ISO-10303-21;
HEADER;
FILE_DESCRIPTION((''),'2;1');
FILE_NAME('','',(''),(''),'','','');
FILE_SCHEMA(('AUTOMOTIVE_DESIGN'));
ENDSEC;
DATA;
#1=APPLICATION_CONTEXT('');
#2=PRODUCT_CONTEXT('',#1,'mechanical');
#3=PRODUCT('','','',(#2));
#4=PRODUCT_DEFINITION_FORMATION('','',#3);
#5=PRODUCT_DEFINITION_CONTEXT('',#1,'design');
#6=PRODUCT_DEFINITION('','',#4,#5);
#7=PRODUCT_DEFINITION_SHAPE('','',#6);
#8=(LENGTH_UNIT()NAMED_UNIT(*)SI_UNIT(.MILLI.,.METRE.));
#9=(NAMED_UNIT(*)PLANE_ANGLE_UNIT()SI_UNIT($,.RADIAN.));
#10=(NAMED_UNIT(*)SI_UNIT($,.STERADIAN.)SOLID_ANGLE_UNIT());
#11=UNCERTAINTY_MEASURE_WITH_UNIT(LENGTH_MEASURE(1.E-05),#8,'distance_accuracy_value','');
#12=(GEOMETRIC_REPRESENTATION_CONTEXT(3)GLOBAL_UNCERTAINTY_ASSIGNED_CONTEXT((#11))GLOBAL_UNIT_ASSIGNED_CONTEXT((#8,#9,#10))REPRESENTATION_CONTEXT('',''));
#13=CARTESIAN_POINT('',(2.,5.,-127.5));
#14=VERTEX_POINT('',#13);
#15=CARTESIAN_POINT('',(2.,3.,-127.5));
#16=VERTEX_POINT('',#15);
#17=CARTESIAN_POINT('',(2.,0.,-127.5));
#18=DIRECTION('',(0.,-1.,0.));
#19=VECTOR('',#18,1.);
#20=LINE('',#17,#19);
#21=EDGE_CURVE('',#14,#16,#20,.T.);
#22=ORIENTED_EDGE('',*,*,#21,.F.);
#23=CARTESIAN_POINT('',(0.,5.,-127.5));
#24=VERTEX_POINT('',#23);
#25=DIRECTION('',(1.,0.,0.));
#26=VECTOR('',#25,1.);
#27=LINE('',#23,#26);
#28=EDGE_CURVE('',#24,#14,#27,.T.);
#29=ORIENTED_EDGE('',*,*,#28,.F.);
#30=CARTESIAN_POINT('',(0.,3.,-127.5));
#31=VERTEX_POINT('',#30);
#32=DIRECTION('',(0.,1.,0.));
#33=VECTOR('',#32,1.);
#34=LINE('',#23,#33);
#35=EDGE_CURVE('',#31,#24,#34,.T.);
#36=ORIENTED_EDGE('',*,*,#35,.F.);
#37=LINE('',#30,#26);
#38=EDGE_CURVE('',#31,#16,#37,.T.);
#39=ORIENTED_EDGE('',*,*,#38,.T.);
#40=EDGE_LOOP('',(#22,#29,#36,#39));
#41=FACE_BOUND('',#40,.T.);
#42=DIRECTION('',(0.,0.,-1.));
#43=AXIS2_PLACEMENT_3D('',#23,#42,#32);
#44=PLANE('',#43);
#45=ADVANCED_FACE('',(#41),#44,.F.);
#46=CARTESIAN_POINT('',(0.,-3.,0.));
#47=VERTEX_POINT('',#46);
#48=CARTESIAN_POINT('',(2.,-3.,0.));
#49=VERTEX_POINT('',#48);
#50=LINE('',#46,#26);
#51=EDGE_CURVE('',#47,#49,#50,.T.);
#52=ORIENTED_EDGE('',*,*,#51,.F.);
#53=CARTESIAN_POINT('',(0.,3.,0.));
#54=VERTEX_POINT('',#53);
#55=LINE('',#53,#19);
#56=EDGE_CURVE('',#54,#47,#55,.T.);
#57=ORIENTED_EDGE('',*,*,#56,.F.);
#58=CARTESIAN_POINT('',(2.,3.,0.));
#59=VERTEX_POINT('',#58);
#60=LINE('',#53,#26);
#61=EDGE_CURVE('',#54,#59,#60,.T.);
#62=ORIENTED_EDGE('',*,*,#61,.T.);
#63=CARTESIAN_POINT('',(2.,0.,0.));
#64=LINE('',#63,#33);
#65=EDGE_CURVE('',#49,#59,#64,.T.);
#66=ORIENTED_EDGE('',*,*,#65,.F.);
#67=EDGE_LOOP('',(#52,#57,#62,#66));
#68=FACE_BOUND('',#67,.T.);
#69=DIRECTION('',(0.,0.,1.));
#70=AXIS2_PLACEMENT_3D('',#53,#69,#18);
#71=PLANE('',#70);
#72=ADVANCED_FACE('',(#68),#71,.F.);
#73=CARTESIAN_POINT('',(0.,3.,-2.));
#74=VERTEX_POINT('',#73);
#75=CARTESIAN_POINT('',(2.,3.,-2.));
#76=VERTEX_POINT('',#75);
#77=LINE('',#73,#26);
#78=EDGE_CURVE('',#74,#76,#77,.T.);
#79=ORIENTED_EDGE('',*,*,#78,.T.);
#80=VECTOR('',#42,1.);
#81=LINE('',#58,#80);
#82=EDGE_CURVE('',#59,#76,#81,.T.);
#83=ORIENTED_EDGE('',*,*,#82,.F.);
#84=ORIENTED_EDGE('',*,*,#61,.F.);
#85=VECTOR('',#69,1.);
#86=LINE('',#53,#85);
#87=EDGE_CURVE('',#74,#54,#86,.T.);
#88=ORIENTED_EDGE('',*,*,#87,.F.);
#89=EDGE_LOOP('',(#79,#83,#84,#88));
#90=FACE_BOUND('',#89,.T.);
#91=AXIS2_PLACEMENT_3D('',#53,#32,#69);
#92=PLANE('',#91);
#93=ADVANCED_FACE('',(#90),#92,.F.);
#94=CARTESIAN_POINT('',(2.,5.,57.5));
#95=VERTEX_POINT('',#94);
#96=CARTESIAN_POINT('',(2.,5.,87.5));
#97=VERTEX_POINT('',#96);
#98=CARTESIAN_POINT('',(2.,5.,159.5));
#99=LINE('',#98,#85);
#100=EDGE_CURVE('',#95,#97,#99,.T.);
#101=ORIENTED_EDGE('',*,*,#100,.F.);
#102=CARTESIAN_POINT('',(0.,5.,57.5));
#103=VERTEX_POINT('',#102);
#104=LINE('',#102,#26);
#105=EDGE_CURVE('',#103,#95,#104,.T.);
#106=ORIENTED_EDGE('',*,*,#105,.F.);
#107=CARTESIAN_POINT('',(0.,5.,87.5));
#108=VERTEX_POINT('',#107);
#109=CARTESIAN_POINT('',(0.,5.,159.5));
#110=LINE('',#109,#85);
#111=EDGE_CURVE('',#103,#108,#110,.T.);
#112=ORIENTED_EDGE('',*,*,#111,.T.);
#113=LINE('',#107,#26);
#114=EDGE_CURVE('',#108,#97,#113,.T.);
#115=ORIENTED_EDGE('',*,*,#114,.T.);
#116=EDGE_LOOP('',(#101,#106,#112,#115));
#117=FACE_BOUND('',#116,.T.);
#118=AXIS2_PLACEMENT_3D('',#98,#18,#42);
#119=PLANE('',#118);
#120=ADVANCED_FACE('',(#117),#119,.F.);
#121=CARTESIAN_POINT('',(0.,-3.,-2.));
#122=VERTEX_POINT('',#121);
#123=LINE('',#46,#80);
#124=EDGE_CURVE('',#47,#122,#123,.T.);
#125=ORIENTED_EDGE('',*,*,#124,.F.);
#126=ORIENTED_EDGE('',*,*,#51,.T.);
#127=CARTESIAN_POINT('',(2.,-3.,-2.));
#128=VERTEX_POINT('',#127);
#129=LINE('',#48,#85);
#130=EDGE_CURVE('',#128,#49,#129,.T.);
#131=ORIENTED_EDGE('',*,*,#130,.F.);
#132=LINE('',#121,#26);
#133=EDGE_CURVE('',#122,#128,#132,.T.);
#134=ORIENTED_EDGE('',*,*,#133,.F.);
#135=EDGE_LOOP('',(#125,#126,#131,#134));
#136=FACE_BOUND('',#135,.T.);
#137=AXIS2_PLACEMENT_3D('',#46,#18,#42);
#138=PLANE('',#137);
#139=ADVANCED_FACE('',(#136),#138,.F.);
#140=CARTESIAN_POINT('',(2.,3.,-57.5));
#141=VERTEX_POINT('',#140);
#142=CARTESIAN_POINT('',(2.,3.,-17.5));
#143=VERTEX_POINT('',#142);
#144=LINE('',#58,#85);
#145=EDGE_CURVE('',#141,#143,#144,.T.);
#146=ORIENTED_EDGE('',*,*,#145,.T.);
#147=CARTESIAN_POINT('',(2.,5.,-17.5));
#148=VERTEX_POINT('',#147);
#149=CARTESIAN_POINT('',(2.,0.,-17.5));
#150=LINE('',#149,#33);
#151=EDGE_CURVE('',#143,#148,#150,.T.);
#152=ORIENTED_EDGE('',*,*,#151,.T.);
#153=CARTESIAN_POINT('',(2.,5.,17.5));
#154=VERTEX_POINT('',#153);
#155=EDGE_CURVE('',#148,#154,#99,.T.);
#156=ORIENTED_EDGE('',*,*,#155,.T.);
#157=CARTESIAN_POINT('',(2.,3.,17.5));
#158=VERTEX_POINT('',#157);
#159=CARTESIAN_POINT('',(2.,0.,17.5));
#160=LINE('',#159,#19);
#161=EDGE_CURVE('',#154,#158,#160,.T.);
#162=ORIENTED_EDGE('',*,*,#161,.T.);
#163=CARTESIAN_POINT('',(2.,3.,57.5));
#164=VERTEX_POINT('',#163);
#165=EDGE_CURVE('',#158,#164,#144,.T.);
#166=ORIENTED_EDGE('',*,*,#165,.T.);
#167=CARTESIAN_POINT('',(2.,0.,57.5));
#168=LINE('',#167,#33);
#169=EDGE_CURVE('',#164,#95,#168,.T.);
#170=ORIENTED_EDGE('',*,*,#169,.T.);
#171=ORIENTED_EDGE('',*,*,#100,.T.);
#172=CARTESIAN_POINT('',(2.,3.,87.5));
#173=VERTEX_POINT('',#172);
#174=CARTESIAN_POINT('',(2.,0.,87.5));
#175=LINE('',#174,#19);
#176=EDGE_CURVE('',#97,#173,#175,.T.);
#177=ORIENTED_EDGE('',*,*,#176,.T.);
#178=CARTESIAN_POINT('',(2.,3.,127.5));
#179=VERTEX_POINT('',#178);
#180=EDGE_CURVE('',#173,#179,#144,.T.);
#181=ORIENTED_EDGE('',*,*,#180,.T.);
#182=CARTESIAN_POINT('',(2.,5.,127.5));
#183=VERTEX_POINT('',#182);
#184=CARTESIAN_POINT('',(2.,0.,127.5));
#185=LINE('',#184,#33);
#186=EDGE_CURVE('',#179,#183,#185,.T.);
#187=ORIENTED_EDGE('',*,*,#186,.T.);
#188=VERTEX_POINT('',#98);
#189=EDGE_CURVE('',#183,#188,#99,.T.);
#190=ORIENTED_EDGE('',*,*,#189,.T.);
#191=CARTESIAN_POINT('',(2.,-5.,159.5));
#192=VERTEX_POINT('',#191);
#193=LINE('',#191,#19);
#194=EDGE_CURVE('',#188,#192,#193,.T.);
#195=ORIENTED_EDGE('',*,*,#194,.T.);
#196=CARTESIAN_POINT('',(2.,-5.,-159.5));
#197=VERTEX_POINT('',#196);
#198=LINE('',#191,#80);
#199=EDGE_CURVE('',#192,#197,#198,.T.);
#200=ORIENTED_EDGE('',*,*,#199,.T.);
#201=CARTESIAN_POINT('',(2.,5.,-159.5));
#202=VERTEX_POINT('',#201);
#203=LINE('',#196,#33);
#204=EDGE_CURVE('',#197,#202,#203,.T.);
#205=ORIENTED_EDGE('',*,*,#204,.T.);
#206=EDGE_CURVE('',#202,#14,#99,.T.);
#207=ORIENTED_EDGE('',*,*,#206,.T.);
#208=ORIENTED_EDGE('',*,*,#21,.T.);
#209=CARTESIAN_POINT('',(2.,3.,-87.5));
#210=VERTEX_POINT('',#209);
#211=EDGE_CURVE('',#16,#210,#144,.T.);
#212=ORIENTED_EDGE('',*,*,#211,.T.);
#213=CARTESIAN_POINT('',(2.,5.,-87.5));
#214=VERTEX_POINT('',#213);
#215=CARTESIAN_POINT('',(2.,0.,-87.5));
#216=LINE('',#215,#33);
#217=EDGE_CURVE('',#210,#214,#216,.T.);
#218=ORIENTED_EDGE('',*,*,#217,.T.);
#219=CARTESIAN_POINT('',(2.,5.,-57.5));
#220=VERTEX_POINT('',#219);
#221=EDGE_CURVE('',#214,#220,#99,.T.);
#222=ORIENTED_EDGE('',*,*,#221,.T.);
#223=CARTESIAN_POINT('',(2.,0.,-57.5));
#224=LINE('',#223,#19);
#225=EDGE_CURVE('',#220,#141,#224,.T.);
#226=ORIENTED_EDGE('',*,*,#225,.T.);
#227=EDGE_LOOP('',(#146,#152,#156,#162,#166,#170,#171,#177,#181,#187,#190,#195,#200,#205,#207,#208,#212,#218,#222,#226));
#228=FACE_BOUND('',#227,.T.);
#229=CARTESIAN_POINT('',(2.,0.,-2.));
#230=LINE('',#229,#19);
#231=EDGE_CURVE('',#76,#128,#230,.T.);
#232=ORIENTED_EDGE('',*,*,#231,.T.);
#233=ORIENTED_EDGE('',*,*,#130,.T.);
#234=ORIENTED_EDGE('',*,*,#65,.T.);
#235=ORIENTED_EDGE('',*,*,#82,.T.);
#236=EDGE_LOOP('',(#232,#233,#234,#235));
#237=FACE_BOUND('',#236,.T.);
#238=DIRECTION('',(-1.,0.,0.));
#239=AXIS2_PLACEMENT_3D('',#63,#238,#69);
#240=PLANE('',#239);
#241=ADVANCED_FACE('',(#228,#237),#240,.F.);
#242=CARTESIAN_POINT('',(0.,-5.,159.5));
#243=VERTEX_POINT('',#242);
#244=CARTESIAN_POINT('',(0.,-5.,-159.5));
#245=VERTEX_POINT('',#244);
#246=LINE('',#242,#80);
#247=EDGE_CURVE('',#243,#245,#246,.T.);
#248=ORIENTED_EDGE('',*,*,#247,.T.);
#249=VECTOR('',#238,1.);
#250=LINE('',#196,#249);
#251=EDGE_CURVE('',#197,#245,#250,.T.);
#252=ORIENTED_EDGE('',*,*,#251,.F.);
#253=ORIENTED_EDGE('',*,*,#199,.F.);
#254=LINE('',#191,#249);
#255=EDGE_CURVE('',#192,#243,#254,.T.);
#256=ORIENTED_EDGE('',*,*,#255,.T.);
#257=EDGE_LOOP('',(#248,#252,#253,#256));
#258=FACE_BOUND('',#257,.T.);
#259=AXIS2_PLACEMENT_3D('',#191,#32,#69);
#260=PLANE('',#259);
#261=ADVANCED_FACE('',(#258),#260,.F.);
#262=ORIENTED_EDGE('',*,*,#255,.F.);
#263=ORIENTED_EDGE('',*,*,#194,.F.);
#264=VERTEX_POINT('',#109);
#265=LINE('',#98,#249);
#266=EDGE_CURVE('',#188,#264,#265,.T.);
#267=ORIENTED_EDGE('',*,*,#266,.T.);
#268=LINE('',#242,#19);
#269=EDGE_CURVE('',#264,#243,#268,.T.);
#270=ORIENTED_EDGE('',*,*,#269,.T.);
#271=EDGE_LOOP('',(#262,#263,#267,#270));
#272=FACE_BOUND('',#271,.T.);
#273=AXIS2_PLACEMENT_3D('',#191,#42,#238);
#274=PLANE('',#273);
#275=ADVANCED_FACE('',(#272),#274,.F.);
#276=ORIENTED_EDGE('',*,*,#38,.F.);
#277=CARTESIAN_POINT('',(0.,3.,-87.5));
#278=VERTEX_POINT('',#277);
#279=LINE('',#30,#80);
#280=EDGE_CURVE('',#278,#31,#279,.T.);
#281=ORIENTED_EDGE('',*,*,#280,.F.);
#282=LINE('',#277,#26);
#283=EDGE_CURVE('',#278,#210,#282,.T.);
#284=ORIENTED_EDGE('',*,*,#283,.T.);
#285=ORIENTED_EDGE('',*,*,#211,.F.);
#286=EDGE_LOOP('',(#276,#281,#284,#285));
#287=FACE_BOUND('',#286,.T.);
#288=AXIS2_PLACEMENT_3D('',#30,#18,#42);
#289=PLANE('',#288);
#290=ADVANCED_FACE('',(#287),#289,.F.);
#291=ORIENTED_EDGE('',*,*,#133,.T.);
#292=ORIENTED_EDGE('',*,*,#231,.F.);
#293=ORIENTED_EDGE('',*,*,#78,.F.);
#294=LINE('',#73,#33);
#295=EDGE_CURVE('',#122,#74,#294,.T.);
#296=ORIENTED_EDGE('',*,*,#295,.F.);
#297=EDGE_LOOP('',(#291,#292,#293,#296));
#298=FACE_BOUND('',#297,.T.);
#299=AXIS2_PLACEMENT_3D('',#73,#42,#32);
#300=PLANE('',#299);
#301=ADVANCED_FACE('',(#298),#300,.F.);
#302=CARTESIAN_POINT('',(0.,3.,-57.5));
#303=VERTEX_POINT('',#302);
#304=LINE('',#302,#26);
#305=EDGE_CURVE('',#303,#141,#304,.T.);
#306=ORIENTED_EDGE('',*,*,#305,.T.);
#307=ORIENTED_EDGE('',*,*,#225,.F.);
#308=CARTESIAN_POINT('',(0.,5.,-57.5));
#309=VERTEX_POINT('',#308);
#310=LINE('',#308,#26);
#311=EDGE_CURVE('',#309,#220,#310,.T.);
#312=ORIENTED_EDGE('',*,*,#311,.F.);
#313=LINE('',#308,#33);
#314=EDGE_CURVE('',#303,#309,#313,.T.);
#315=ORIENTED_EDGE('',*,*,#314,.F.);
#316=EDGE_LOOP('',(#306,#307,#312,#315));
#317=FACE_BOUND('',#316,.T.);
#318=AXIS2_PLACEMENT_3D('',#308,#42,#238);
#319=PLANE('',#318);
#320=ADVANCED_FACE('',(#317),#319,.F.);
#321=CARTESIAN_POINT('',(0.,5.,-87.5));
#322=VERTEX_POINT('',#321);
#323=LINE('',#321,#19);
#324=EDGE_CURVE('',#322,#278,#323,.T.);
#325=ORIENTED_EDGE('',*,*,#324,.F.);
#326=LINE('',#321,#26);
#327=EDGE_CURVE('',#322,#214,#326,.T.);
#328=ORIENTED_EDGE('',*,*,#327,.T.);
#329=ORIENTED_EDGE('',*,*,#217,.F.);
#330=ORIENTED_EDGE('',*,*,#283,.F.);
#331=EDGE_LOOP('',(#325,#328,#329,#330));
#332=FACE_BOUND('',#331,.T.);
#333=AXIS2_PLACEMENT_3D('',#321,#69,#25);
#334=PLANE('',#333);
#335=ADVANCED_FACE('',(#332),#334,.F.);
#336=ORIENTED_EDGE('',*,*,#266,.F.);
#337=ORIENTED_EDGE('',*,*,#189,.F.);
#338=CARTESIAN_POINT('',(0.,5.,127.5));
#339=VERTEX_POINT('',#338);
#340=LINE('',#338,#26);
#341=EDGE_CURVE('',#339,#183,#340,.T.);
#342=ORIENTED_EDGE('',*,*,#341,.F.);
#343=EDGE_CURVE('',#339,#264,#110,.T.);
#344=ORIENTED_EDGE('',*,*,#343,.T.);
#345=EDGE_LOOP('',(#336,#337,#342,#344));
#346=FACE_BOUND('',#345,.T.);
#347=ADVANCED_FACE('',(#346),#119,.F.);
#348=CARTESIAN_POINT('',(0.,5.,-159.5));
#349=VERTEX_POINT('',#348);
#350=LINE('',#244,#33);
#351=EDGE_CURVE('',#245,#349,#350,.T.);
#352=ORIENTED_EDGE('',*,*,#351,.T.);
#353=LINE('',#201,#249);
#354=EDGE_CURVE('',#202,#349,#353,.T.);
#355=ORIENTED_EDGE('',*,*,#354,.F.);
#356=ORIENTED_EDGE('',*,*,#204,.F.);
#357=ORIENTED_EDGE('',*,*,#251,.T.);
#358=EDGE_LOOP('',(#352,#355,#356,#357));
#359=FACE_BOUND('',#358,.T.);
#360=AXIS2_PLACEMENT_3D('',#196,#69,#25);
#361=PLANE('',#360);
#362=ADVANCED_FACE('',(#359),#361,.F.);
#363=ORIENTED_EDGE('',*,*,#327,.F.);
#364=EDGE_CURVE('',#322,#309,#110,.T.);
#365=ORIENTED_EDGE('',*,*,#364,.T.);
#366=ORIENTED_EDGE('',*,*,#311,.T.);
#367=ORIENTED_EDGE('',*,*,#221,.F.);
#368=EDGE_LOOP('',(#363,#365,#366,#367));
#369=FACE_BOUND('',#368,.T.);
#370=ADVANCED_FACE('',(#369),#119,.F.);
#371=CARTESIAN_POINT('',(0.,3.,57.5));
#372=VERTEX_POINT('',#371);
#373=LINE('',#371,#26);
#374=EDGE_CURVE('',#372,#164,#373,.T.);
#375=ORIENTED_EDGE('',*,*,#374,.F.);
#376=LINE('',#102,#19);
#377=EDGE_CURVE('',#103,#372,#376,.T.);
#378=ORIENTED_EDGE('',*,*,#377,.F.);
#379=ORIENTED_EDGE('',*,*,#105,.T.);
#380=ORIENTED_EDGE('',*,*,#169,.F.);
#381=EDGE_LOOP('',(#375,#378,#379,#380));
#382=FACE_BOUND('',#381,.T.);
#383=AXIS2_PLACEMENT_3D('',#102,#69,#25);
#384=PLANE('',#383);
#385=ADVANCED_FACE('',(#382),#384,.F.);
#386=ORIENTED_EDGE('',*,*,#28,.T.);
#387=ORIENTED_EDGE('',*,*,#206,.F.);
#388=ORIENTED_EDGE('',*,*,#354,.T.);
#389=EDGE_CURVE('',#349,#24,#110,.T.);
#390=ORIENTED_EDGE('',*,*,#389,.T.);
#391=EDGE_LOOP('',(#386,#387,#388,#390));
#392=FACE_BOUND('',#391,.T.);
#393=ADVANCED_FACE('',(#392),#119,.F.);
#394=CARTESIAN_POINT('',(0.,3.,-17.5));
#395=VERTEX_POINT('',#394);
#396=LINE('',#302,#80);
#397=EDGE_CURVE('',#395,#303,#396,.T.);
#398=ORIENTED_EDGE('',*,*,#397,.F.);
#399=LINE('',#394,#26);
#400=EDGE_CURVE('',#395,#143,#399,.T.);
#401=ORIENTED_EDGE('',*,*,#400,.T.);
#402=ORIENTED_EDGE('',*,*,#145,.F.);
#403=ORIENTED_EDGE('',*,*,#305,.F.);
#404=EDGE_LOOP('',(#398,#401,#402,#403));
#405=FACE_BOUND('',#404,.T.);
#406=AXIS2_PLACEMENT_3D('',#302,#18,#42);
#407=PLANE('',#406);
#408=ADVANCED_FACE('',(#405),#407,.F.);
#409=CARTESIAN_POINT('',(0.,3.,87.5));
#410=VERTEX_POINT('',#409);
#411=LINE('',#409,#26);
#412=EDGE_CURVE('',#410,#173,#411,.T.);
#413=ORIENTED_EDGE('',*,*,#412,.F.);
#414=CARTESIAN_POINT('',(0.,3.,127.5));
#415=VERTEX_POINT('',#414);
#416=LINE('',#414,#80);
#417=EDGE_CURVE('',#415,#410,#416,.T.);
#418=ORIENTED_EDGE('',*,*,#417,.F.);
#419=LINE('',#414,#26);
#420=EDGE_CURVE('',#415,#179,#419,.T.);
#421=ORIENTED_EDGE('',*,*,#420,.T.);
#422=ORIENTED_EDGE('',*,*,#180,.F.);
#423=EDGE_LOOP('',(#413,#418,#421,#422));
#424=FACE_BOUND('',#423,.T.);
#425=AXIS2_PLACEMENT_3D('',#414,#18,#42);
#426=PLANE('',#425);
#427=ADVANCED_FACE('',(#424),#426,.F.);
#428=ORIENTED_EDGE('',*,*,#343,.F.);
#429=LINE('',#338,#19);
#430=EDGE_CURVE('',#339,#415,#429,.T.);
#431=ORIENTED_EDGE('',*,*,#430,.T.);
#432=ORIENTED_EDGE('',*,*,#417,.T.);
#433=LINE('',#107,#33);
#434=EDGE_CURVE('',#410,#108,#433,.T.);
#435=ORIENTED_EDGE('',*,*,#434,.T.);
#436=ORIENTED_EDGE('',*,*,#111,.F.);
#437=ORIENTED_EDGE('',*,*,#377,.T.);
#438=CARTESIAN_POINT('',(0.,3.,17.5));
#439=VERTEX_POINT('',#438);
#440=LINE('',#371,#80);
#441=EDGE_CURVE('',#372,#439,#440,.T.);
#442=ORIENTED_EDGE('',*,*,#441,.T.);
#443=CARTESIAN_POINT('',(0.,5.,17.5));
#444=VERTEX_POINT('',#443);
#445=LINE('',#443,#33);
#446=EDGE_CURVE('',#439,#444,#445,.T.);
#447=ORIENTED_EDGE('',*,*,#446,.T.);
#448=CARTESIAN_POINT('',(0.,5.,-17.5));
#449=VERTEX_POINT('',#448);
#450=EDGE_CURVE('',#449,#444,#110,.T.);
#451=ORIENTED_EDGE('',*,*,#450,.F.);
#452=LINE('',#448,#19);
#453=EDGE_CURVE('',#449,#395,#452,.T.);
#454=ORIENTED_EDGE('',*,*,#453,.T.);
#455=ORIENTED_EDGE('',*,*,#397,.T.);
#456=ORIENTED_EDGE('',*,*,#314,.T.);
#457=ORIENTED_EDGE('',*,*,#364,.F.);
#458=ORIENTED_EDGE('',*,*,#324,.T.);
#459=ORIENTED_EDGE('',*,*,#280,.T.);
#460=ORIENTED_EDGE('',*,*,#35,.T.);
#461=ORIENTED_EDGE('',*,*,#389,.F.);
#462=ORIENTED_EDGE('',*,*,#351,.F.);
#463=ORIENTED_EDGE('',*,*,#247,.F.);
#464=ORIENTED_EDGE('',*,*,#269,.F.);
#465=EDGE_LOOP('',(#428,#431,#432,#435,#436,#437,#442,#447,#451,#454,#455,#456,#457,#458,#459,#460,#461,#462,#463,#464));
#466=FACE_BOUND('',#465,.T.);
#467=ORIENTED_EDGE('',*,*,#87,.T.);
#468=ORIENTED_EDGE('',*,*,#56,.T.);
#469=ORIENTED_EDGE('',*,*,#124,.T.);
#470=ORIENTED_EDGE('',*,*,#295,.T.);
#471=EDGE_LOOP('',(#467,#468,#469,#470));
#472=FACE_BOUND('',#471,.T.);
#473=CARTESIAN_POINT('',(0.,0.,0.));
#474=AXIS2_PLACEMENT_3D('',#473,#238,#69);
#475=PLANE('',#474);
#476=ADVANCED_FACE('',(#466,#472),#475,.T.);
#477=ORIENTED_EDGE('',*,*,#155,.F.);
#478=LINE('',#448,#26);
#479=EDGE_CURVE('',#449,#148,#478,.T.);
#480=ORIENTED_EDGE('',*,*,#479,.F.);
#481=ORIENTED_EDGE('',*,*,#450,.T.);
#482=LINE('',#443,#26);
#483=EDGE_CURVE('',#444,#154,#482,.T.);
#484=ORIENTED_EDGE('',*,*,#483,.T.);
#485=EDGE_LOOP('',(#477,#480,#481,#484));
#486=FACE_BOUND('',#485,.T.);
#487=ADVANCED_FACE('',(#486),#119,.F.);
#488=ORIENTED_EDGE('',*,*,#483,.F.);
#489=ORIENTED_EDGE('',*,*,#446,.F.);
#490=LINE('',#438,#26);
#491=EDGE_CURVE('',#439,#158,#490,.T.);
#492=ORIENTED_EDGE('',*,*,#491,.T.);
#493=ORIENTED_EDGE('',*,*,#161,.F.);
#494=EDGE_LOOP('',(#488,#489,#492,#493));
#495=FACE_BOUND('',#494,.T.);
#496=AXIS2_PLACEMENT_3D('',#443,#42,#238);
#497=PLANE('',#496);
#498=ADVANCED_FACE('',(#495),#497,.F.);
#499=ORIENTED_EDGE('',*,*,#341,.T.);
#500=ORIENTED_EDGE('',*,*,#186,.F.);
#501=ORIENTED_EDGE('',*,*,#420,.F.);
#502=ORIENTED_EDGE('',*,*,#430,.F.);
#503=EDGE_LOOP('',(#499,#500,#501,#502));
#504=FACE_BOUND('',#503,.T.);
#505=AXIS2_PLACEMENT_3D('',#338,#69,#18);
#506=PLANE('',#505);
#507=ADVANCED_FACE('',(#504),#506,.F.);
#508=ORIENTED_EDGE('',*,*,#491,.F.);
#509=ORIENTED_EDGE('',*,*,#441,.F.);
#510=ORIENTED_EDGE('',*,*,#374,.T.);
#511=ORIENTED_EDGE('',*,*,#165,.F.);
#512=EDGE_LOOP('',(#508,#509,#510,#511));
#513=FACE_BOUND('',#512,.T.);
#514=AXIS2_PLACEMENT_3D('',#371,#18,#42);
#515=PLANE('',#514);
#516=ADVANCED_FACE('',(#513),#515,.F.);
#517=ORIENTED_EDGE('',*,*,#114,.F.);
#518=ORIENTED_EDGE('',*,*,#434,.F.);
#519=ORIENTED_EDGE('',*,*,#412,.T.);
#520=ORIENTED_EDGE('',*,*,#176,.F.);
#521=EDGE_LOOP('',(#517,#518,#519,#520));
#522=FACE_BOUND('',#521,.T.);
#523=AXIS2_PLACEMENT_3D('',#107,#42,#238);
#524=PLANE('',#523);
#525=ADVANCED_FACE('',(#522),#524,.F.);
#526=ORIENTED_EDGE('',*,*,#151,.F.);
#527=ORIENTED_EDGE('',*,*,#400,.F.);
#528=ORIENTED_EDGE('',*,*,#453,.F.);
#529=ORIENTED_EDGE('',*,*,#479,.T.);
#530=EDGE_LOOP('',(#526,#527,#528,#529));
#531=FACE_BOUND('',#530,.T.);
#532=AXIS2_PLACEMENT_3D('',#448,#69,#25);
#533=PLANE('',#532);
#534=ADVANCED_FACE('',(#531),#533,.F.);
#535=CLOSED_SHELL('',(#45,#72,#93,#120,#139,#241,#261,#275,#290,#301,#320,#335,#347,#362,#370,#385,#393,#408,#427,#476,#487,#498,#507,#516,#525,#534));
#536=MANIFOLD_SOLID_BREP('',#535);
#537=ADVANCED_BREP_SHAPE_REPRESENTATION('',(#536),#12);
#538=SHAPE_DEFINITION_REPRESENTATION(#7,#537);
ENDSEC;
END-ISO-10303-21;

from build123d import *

# Parameters (mm, degrees)
SKETCH1_W               = 319
SKETCH1_H               = 10
BOSS_EXTRUDE1_DEPTH     = 2
CUT_EXTRUDE1_DEPTH      = 160.590883198
CUT_EXTRUDE1_DEPTH_BACK = 160.590883198
SKETCH2_W               = 40
SKETCH2_H               = 2
CUT_EXTRUDE2_DEPTH      = 160.590883198
CUT_EXTRUDE2_DEPTH_BACK = 160.590883198
SKETCH4_W               = 2
SKETCH4_H               = 6


with BuildPart() as part:
    # Sketch1 → Boss-Extrude1 (new body)
    with BuildSketch(Plane(origin=(0, 0, 0), x_dir=(0, 0, -1), z_dir=(1, 0, 0))):
        Rectangle(SKETCH1_W, SKETCH1_H)
    extrude(amount=BOSS_EXTRUDE1_DEPTH)

    # Sketch2 → Cut-Extrude1 (cut, two sides: drawn at the far end of the back side and taken through both)
    with BuildSketch(Plane(origin=(2, 0, 0), x_dir=(0, 0, -1), z_dir=(1, 0, 0)).offset(-CUT_EXTRUDE1_DEPTH_BACK)):
        with Locations((-107.5, 4)):
            Rectangle(SKETCH2_W, SKETCH2_H)
        with Locations((-37.5, 4)):
            Rectangle(SKETCH2_W, SKETCH2_H)
        with Locations((37.5, 4)):
            Rectangle(SKETCH2_W, SKETCH2_H)
        with Locations((107.5, 4)):
            Rectangle(SKETCH2_W, SKETCH2_H)
    extrude(amount=CUT_EXTRUDE1_DEPTH + CUT_EXTRUDE1_DEPTH_BACK, mode=Mode.SUBTRACT)

    # Sketch4 → Cut-Extrude2 (cut, two sides: drawn at the far end of the back side and taken through both)
    with BuildSketch(Plane(origin=(2, 0, 0), x_dir=(0, 0, -1), z_dir=(1, 0, 0)).offset(-CUT_EXTRUDE2_DEPTH_BACK)):
        with Locations((1, 0)):
            Rectangle(SKETCH4_W, SKETCH4_H)
    extrude(amount=CUT_EXTRUDE2_DEPTH + CUT_EXTRUDE2_DEPTH_BACK, mode=Mode.SUBTRACT)


solid = part.part
